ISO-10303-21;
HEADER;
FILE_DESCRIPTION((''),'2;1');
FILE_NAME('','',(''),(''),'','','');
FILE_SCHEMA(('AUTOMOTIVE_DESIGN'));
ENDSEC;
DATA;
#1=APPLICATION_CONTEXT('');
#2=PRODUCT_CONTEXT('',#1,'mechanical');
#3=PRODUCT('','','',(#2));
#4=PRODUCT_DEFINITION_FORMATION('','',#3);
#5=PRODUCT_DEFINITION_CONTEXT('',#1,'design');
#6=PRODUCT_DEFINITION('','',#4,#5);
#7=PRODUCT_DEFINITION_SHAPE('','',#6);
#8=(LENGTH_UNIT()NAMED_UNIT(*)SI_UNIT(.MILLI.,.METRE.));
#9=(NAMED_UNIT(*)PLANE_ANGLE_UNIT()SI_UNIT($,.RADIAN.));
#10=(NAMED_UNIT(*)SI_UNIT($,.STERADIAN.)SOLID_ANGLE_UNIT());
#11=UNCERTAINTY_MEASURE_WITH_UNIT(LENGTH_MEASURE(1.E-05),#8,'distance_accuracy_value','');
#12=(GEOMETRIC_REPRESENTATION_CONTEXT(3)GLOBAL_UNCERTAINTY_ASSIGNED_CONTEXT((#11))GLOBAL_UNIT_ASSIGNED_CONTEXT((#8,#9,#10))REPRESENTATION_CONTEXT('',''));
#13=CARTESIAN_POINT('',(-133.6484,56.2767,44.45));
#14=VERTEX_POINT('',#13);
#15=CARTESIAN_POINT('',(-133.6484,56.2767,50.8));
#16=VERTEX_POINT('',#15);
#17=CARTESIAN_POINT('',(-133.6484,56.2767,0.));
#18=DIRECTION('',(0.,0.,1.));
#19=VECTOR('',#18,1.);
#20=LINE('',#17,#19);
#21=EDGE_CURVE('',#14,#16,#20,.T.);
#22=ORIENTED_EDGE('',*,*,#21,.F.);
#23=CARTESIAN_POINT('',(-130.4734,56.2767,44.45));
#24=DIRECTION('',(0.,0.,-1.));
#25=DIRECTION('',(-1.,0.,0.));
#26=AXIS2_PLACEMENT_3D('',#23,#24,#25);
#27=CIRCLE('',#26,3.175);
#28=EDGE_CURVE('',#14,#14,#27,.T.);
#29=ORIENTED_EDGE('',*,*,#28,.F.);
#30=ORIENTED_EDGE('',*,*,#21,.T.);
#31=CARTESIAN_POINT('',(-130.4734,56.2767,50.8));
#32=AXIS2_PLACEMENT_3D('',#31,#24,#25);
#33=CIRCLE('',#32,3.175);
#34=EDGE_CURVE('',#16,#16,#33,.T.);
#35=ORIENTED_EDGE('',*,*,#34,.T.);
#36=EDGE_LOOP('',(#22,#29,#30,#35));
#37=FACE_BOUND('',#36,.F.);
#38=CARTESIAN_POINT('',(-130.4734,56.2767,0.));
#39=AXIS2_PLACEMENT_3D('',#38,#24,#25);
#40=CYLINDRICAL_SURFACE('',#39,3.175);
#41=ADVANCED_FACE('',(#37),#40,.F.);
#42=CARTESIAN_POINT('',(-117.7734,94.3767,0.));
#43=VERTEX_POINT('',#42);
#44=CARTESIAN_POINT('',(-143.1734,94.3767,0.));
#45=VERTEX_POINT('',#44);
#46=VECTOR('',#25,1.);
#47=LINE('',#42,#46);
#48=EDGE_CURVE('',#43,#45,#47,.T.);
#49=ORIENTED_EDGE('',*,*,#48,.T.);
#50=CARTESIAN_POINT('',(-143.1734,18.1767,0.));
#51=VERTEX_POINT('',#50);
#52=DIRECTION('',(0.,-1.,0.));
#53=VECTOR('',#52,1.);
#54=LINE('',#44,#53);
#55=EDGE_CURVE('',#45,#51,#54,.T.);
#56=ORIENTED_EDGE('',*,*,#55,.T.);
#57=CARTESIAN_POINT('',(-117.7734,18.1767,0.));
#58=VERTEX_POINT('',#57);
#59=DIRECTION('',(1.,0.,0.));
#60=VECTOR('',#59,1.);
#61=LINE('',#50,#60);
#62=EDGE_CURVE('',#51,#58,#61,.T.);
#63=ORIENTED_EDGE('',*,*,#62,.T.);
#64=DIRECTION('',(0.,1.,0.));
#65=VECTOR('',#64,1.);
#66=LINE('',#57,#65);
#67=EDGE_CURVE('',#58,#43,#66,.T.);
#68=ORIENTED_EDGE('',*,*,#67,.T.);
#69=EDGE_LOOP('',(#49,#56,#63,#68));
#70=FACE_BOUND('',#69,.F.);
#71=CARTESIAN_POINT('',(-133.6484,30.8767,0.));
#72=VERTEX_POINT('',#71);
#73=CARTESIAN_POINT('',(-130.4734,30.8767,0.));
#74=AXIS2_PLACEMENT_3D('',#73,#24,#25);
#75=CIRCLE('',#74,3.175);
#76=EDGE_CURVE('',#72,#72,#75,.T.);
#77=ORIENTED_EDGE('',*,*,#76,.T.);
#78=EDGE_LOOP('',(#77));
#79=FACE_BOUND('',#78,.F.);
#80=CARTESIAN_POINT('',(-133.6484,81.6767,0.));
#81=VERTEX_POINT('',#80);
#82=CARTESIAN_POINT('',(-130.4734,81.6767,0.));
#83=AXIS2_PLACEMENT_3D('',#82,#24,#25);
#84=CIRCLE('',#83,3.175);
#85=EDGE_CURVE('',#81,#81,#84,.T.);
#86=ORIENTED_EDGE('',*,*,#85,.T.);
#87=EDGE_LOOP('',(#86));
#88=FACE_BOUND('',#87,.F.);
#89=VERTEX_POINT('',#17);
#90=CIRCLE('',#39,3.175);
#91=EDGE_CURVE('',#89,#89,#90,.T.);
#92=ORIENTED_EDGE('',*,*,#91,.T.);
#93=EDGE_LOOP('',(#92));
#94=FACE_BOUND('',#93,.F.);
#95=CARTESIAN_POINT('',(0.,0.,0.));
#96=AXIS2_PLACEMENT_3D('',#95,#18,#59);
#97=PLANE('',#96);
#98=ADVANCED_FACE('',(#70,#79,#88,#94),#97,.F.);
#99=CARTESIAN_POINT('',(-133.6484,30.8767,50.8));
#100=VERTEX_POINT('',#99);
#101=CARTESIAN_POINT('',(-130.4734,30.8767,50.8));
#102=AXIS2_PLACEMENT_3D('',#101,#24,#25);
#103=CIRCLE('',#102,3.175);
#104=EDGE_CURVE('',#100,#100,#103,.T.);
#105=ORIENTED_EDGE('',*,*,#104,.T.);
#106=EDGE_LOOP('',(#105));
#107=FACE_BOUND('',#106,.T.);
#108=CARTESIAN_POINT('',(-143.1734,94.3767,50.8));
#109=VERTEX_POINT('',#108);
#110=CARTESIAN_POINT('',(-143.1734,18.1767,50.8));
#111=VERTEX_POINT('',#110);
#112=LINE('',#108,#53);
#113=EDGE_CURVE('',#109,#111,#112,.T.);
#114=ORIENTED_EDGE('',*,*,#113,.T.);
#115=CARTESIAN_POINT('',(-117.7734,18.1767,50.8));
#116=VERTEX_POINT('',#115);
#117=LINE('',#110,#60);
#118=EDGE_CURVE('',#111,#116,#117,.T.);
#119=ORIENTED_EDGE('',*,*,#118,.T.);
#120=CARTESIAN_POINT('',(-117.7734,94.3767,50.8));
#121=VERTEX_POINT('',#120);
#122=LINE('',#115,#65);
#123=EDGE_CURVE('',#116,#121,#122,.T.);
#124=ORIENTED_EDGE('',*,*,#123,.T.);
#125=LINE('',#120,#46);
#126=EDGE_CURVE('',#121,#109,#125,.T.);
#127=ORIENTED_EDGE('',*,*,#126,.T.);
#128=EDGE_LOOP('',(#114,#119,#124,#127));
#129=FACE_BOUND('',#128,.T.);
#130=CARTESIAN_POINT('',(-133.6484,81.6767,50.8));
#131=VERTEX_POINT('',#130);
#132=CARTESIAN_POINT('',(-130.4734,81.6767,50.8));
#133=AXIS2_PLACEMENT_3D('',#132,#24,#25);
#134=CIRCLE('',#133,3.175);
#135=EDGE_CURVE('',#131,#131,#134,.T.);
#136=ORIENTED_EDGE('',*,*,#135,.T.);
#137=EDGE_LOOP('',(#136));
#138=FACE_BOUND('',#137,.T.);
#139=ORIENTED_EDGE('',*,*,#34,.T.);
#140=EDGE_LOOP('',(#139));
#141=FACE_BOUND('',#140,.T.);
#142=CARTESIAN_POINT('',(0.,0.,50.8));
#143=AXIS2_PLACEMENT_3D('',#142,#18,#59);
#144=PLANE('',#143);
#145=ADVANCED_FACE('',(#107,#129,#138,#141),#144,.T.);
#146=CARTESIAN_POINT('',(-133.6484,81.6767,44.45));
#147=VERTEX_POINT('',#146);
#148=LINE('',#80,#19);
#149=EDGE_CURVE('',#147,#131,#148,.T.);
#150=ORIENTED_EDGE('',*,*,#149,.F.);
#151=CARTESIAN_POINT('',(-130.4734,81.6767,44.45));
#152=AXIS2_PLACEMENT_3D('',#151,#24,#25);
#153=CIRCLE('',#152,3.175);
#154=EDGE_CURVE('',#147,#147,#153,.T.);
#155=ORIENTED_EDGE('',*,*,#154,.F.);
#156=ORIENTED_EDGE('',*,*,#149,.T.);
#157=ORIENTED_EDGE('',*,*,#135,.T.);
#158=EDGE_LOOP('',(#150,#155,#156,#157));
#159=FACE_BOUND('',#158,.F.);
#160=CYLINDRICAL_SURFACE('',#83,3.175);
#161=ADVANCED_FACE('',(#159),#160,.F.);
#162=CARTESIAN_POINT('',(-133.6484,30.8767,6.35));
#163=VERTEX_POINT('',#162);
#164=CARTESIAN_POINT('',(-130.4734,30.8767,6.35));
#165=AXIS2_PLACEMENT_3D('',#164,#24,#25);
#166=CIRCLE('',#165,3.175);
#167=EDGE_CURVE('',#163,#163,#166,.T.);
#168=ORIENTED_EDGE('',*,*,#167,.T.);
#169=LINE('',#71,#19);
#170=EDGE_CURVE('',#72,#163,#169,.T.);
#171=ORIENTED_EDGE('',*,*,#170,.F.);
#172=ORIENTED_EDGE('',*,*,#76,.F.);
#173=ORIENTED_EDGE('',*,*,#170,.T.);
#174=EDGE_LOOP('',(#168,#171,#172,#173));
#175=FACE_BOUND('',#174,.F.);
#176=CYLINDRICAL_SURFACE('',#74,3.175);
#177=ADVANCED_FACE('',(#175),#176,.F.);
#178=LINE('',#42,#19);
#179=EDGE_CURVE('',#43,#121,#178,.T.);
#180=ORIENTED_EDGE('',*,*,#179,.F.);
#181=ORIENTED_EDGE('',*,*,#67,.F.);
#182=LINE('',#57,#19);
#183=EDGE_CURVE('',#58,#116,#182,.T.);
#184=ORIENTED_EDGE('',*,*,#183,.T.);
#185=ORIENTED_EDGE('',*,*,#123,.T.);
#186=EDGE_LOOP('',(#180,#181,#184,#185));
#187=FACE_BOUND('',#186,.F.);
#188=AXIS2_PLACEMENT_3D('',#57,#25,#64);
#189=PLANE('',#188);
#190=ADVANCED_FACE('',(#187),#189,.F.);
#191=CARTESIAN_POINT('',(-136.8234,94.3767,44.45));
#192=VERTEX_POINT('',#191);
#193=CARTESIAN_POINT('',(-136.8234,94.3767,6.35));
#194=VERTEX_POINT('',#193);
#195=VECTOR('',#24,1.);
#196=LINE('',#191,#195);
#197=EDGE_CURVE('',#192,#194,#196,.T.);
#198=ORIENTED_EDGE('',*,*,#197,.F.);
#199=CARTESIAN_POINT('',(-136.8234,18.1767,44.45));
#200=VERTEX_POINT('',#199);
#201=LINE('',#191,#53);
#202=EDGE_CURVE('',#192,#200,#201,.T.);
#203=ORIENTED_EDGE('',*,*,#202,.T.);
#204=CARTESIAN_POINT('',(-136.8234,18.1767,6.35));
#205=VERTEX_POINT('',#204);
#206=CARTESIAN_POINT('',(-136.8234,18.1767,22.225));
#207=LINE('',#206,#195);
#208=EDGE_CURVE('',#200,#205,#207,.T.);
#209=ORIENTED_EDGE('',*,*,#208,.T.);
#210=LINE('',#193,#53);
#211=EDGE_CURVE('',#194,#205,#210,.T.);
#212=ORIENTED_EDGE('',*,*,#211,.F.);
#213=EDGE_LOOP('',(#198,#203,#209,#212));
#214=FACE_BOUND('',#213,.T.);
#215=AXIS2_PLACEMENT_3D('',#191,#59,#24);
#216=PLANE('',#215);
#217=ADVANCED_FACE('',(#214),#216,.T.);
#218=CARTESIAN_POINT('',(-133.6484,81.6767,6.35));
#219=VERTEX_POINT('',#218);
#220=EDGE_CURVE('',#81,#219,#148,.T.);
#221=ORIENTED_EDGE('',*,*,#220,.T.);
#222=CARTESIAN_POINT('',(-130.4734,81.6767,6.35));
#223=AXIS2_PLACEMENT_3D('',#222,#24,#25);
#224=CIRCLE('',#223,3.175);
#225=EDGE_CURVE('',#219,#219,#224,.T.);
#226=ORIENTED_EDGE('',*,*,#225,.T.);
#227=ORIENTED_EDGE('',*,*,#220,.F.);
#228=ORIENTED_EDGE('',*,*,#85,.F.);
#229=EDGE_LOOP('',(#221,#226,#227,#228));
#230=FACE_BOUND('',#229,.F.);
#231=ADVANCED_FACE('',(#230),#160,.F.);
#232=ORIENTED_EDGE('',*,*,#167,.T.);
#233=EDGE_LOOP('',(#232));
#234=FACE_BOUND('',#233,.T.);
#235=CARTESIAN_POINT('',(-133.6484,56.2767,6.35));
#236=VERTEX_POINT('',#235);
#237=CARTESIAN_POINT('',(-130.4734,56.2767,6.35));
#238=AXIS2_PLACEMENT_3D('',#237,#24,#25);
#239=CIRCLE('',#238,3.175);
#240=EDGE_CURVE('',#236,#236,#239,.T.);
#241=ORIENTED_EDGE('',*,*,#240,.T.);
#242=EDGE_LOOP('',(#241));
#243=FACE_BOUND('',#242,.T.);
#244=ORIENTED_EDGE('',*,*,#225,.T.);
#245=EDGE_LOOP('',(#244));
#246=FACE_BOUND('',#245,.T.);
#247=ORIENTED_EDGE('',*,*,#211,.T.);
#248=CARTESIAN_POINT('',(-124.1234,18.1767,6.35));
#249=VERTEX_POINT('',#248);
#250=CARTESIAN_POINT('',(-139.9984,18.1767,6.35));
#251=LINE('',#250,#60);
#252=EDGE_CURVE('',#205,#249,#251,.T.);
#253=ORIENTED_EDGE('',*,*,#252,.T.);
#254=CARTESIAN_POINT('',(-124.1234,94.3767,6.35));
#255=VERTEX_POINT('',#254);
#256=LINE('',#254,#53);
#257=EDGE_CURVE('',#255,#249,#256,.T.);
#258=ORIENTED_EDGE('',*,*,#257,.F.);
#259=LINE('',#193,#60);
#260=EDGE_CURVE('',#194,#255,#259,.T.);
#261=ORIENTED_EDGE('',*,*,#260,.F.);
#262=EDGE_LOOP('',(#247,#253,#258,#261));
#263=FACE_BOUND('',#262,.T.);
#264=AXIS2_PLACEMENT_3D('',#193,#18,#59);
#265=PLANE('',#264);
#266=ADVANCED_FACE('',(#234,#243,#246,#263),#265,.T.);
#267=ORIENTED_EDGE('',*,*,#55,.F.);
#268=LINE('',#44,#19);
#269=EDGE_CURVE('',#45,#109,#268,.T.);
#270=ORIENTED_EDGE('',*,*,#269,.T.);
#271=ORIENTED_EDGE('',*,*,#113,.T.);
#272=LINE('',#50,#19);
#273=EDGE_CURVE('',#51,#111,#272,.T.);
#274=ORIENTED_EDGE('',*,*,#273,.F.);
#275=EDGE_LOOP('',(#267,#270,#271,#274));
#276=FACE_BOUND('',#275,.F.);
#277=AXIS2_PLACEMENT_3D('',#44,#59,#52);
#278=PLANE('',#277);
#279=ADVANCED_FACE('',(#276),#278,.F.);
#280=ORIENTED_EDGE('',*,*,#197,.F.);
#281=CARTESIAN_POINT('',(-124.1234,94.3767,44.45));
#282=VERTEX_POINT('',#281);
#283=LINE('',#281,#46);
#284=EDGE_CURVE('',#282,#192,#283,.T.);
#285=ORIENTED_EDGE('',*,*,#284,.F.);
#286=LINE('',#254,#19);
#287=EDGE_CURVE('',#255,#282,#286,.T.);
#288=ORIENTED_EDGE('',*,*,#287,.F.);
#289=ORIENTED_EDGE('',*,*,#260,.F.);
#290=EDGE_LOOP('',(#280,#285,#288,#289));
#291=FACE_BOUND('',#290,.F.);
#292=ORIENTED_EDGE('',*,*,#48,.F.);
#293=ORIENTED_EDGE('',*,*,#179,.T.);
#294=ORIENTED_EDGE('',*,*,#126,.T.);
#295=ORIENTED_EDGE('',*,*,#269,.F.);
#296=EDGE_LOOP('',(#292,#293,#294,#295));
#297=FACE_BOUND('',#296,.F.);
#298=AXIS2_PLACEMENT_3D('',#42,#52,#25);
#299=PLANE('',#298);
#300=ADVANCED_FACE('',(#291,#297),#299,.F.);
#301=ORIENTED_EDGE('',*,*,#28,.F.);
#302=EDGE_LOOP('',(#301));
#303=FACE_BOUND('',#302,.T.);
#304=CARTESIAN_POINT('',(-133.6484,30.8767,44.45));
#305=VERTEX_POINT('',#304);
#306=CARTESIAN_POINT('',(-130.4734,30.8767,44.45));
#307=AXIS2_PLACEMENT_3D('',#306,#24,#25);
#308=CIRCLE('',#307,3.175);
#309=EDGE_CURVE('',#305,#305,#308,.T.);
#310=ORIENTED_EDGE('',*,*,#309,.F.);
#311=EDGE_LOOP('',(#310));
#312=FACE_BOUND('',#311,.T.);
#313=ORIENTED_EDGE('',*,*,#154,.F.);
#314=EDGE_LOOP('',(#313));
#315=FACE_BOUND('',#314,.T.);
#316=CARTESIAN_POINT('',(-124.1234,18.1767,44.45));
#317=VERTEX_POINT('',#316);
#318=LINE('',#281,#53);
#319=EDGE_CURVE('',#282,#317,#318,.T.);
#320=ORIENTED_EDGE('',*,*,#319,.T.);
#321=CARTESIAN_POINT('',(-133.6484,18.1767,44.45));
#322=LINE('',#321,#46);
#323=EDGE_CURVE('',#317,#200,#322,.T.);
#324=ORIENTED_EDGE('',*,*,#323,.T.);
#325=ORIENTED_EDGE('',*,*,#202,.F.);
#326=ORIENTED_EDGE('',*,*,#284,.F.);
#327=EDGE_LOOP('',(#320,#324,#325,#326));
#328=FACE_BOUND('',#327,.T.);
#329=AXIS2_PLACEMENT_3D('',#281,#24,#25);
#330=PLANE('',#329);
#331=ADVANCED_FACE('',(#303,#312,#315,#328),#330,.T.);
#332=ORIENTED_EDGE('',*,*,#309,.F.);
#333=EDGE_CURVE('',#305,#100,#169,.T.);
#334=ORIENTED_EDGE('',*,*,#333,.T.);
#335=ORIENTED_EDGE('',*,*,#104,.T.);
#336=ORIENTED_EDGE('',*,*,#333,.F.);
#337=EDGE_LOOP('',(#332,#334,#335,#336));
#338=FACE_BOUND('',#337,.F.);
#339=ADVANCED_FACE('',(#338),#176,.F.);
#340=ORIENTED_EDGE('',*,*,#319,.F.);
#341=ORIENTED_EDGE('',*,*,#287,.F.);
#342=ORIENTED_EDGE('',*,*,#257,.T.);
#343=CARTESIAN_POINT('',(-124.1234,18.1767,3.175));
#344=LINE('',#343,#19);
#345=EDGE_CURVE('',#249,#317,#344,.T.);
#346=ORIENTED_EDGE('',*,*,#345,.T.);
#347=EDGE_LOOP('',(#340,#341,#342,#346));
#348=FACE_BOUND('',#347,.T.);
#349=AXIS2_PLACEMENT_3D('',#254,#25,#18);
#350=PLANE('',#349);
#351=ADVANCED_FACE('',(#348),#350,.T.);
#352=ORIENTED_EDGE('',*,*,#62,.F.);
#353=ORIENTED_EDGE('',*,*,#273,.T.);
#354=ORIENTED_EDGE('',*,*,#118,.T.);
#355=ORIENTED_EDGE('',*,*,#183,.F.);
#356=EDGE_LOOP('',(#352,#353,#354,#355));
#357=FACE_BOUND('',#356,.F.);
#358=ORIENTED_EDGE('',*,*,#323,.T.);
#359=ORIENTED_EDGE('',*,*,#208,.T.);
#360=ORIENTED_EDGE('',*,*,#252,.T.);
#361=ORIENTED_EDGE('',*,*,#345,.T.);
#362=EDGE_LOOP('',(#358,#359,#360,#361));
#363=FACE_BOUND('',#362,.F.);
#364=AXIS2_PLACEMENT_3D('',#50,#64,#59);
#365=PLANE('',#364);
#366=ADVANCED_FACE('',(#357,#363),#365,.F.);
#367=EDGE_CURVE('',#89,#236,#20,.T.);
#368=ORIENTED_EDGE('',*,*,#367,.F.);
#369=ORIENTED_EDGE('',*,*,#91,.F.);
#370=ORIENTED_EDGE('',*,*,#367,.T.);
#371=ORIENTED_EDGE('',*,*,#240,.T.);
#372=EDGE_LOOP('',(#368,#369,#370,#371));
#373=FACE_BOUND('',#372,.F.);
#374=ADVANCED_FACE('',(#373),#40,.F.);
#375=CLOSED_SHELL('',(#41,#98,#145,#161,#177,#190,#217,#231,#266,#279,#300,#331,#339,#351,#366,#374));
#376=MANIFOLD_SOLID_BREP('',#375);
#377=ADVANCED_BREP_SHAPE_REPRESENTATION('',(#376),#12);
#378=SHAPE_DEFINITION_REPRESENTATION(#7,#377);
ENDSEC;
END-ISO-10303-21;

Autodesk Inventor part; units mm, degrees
ref_plane "YZ Plane" through (0, 0, 0) normal (1, 0, 0) x (0, 1, 0)
ref_plane "XZ Plane" through (0, 0, 0) normal (0, 1, 0) x (-1, 0, 0)
ref_plane "XY Plane" through (0, 0, 0) normal (0, 0, 1) x (1, 0, 0)
sketch "Sketch1" plane through (0, 0, 0) normal (0, 0, 1) x (1, 0, 0)
  line L0 (-143.1734, 18.1767) -> (-117.7734, 18.1767)
  line L1 (-117.7734, 18.1767) -> (-117.7734, 94.3767)
  line L2 (-117.7734, 94.3767) -> (-143.1734, 94.3767)
  line L3 (-143.1734, 94.3767) -> (-143.1734, 18.1767)
  point P0 (0, 0)
  dimension "d0" = 76.2
  dimension "d1" = 25.4
extrude "Extrusion1" add sketch "Sketch1" along normal blind 50.8
sketch "Sketch2" plane through (-143.1734, 94.3767, 0) normal (0, 1, 0) x (1, 0, 0)
  line L0 (25.4, 0) -> (0, 0) projected
  line L1 (0, 0) -> (0, -50.8) projected
  line L2 (25.4, -50.8) -> (0, -50.8) projected
  line L3 (25.4, 0) -> (25.4, -50.8) projected
  line L4 (6.35, -44.45) -> (6.35, -6.35)
  line L5 (6.35, -6.35) -> (19.05, -6.35)
  line L6 (19.05, -6.35) -> (19.05, -44.45)
  line L7 (19.05, -44.45) -> (6.35, -44.45)
  point P0 (143.1734, 0)
  dimension "d4" = 6.35
extrude "Extrusion2" cut sketch "Sketch2" against normal through all contours L4 L5 L6 L7
sketch "Sketch3" plane through (0, 0, 0) normal (0, 0, -1) x (-1, 0, 0)
  line L0 (143.1734, 18.1767) -> (117.7734, 18.1767) projected
  line L1 (130.4734, 18.1767) -> (130.4734, 94.3767) construction
  line L2 (136.8234, 94.3767) -> (124.1234, 94.3767) projected
  circle A0 centre (130.4734, 30.8767) radius 3.175
  circle A1 centre (130.4734, 56.2767) radius 3.175
  circle A2 centre (130.4734, 81.6767) radius 3.175
  point P0 (0, 0)
  dimension "d7" = 6.35
  dimension "d8" = 12.7
  dimension "d11" = 25.4
extrude "Extrusion3" cut sketch "Sketch3" against normal through all
properties part number "2AM-17-03-Frame Block"
